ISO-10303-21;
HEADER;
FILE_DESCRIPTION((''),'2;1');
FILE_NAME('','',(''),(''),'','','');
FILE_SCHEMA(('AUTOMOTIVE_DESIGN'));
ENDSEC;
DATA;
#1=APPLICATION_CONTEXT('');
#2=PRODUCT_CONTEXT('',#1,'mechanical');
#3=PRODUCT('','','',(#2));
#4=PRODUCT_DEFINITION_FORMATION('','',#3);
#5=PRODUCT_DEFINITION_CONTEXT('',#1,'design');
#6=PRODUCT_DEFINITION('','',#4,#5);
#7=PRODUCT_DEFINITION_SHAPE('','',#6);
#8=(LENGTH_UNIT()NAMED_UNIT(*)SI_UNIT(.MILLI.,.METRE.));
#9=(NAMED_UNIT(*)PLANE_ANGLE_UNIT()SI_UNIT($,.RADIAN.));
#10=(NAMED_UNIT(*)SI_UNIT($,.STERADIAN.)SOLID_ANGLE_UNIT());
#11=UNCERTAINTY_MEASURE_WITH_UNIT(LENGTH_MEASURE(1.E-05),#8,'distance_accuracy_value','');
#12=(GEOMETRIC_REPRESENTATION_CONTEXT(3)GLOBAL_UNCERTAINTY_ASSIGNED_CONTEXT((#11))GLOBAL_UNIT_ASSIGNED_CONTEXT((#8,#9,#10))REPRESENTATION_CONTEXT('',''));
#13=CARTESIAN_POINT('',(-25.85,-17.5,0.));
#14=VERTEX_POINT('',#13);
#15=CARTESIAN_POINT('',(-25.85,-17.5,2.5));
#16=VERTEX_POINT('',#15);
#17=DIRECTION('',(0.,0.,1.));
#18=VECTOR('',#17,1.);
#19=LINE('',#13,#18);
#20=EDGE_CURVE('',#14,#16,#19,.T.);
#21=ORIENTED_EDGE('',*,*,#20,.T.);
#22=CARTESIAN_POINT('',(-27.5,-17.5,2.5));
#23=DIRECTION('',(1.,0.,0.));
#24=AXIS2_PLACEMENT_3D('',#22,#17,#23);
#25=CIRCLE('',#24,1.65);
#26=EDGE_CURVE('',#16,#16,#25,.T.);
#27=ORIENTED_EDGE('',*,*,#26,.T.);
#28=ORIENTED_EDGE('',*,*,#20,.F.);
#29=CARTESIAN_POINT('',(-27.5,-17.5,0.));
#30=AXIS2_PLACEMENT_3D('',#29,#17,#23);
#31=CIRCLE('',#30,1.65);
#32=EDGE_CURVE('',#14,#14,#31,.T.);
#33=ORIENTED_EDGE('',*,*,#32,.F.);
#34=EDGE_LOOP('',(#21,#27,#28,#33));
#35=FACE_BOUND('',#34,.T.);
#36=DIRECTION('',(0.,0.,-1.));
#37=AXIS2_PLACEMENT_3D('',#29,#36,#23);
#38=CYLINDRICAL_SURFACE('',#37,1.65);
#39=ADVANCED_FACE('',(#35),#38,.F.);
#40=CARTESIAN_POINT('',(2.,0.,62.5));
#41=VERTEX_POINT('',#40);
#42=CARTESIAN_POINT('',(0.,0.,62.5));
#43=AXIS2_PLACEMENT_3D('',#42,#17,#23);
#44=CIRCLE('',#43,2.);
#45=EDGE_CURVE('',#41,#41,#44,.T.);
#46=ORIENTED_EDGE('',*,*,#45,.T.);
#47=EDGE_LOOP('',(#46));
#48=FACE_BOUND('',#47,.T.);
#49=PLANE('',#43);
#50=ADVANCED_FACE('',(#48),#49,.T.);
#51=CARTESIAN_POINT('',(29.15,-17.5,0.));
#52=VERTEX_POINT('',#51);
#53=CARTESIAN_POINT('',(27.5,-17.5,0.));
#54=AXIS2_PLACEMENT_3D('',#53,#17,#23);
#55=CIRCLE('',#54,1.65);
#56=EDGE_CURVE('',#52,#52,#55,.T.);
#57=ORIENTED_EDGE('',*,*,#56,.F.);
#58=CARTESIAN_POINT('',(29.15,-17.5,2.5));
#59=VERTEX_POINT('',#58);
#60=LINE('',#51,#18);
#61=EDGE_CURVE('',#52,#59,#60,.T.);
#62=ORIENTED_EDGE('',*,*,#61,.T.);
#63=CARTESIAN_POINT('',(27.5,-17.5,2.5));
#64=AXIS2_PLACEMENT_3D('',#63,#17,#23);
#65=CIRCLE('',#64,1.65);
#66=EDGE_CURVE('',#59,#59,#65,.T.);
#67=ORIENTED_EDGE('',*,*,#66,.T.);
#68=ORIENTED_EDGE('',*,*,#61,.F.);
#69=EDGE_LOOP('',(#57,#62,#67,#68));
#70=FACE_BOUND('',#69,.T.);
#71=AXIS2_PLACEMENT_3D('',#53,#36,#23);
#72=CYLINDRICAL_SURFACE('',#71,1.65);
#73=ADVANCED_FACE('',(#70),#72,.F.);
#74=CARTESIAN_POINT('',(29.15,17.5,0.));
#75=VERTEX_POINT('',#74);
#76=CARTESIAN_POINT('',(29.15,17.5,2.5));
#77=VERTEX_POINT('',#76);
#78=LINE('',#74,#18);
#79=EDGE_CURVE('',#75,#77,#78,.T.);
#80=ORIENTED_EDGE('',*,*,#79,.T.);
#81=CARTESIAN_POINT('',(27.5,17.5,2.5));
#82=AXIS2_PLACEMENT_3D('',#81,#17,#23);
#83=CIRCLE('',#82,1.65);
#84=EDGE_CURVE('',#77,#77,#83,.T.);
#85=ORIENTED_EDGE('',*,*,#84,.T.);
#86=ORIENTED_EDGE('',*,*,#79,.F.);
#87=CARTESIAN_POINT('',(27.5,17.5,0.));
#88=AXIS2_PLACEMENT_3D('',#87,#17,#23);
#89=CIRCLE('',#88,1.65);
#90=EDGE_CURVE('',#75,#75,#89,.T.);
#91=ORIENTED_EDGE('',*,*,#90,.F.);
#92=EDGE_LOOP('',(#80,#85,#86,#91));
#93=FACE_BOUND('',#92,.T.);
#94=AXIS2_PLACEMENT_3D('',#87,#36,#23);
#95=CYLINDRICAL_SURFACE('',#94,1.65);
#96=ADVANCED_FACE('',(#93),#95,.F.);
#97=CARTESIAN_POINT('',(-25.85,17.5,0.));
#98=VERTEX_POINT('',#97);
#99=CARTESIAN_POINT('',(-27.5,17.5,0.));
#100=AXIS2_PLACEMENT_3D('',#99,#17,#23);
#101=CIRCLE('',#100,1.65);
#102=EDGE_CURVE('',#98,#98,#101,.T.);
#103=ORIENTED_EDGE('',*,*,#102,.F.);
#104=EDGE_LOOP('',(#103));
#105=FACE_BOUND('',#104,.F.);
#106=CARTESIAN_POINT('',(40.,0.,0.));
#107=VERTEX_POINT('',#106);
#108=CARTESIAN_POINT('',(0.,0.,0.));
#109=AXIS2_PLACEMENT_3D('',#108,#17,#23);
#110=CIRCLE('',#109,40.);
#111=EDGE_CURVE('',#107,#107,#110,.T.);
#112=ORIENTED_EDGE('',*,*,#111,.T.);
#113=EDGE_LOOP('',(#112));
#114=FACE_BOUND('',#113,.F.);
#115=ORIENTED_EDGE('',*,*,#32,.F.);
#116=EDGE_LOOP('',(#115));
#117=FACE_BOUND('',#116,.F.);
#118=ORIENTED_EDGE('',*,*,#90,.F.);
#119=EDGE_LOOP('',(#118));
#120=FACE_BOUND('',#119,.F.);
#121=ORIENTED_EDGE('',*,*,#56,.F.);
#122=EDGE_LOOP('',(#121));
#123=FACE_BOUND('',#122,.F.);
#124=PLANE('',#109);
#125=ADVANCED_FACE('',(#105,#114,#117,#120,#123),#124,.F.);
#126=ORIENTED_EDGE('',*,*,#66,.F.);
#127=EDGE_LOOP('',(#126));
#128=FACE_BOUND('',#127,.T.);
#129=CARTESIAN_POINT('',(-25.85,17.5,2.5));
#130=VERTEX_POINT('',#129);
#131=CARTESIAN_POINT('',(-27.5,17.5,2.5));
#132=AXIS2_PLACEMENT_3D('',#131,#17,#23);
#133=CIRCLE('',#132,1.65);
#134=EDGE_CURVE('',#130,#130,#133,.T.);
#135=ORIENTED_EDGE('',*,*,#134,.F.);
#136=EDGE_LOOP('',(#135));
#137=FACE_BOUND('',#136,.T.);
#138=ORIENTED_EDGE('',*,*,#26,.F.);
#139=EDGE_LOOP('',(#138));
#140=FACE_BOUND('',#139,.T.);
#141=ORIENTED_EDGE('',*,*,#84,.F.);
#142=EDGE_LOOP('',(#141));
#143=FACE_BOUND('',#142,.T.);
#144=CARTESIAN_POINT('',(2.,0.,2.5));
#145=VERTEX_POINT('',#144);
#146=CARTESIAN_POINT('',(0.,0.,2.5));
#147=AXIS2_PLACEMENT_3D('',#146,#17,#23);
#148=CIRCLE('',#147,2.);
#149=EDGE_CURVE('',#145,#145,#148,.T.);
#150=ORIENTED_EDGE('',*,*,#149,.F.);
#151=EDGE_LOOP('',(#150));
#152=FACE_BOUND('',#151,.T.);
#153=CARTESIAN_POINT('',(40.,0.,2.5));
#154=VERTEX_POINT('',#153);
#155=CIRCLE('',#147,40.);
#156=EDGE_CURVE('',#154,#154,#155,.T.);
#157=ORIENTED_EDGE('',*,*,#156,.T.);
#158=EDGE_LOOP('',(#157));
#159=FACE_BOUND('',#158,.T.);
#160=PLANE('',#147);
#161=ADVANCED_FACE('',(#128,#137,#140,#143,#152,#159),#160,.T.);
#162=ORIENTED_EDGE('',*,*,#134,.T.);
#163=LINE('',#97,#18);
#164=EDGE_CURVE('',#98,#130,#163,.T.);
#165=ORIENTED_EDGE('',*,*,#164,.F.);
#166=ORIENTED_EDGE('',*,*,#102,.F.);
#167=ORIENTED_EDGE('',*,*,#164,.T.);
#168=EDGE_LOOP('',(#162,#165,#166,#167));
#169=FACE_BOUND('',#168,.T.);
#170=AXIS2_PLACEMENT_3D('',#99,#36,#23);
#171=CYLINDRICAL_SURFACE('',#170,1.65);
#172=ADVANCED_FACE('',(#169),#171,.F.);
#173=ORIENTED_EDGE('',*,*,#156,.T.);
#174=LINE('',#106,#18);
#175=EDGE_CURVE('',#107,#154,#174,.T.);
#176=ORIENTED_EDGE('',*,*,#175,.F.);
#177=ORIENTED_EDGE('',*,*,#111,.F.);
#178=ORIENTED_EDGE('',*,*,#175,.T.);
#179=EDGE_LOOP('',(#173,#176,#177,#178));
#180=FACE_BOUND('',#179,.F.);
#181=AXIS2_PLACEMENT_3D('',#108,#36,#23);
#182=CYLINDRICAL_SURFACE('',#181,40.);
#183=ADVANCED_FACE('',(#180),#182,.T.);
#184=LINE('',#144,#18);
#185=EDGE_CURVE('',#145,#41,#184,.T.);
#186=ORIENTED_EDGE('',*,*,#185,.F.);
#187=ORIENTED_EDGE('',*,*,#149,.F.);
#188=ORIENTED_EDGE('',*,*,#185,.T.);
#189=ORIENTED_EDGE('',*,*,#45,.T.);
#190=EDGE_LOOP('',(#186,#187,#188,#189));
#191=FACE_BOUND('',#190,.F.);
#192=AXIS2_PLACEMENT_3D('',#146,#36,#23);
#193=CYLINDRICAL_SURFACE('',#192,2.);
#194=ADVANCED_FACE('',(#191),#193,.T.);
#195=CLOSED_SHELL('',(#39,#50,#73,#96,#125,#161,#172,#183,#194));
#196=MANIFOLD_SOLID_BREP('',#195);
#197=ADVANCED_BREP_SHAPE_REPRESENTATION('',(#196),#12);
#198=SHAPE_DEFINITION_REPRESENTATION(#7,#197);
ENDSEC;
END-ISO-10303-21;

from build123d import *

# Parameters (mm, degrees)
SKETCH_1_R      = 40
SKETCH_1_R_2    = 1.65
EXTRUDE_1_DEPTH = 2.5
SKETCH_2_R      = 2
EXTRUDE_2_DEPTH = 60


with BuildPart() as part:
    # 草图1 → 凸台-拉伸1 (new body)
    with BuildSketch(Plane.XY):
        Circle(SKETCH_1_R)
        with Locations((-27.5, 17.5)):
            Circle(SKETCH_1_R_2, mode=Mode.SUBTRACT)
        with Locations((27.5, 17.5)):
            Circle(SKETCH_1_R_2, mode=Mode.SUBTRACT)
        with Locations((27.5, -17.5)):
            Circle(SKETCH_1_R_2, mode=Mode.SUBTRACT)
        with Locations((-27.5, -17.5)):
            Circle(SKETCH_1_R_2, mode=Mode.SUBTRACT)
    extrude(amount=EXTRUDE_1_DEPTH)

    # 草图2 → 凸台-拉伸2 (add)
    with BuildSketch(Plane.XY.offset(2.5)):
        Circle(SKETCH_2_R)
    extrude(amount=EXTRUDE_2_DEPTH)


solid = part.part
